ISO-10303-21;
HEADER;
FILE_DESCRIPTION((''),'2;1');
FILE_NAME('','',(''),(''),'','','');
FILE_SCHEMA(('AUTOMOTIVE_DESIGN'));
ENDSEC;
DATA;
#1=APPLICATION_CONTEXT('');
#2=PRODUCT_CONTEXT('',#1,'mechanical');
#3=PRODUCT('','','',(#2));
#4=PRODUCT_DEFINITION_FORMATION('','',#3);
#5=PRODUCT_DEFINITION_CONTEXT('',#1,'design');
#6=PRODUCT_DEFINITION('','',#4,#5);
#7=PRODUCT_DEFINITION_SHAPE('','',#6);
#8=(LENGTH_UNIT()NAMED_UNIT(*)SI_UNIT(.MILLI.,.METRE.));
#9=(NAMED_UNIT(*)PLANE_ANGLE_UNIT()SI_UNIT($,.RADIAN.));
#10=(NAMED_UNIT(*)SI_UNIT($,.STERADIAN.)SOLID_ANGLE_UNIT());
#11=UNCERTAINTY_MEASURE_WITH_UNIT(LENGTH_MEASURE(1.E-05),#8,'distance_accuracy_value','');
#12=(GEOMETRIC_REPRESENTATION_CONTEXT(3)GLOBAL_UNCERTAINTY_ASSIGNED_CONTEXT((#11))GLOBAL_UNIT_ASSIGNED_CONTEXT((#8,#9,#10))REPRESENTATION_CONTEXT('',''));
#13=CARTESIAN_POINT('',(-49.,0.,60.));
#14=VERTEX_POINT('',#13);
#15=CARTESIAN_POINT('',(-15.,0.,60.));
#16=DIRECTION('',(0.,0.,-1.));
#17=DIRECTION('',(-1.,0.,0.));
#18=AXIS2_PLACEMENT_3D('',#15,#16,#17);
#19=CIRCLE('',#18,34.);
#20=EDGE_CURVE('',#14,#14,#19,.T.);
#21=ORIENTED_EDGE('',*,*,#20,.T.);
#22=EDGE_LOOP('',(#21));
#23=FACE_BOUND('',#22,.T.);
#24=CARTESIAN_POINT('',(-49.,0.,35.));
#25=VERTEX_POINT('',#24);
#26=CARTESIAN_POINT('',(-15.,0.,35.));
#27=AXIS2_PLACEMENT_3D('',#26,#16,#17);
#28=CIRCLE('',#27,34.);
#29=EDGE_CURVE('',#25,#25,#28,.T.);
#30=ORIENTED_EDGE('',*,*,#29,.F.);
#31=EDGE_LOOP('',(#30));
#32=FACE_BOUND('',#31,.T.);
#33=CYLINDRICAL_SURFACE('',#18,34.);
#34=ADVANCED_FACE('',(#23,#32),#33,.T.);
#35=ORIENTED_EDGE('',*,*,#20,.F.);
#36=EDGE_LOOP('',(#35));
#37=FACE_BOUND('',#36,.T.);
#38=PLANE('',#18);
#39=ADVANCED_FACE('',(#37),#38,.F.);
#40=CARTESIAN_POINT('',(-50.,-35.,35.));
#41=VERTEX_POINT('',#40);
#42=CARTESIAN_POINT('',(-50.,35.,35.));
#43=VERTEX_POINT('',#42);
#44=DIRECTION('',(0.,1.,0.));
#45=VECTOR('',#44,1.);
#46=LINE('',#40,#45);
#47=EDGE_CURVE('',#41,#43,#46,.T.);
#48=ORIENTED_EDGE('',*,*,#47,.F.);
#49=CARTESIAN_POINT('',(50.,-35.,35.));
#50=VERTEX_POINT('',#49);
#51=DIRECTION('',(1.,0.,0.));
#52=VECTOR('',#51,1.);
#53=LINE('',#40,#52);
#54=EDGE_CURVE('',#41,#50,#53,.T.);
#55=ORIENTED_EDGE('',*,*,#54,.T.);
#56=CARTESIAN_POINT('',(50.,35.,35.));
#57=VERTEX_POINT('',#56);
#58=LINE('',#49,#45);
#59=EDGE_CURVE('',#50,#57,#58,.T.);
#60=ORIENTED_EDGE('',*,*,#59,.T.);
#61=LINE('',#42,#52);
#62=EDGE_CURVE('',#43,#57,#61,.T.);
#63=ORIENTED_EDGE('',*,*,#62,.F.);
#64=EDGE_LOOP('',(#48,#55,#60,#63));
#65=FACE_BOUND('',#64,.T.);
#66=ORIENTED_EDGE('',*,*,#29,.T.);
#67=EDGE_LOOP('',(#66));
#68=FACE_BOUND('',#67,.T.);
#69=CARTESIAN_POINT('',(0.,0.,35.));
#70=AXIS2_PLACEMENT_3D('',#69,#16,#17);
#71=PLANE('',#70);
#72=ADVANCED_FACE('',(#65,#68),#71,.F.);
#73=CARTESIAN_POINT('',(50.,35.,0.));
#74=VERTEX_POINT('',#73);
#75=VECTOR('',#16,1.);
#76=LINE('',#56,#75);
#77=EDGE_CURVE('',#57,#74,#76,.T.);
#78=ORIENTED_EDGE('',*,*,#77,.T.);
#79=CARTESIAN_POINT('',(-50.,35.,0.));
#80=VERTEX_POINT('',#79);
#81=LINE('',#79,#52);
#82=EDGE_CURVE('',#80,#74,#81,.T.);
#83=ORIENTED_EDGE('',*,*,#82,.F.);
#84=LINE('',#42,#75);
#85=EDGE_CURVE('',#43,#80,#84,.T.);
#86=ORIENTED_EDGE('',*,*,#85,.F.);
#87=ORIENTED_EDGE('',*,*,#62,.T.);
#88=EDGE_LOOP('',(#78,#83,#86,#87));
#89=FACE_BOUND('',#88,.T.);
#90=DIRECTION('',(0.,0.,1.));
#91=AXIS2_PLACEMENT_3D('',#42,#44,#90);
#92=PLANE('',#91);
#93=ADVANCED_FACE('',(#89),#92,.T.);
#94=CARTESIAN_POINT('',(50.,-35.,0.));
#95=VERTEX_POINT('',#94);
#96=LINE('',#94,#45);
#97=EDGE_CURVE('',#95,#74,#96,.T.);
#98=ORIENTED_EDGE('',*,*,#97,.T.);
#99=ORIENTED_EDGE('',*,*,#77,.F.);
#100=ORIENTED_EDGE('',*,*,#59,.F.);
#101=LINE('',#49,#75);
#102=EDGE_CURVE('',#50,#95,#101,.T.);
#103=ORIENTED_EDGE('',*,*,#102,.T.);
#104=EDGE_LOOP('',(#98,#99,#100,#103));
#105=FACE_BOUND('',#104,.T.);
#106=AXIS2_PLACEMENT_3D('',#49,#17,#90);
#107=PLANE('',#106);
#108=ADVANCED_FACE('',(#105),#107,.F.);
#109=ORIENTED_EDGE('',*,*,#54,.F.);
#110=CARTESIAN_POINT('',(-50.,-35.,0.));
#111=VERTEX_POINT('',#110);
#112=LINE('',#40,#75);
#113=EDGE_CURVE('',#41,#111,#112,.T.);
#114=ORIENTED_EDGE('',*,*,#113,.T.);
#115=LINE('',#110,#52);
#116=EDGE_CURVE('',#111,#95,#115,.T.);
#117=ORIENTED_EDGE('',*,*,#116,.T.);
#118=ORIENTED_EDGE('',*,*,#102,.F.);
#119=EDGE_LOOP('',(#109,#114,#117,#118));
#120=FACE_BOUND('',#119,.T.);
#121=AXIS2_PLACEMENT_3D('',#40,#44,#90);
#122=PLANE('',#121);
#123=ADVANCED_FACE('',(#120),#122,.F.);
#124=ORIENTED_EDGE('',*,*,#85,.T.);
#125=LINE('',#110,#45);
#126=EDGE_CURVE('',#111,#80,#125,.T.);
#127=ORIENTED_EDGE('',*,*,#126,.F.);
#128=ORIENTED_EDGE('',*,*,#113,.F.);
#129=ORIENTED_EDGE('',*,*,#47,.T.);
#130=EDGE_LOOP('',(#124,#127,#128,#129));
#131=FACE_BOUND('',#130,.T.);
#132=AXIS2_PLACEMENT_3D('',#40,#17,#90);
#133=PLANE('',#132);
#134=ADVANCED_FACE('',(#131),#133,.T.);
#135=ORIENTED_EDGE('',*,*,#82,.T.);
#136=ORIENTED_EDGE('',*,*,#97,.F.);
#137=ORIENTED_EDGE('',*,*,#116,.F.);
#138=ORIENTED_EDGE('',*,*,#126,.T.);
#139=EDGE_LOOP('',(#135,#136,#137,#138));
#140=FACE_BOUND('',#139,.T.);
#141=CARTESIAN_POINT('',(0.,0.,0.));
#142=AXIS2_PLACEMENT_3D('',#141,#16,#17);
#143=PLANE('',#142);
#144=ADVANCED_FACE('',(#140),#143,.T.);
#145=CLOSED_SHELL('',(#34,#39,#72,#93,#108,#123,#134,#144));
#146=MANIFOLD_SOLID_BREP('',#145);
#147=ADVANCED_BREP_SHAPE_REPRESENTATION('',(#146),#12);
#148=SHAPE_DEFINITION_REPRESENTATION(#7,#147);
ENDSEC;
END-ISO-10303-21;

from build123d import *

# Parameters (mm, degrees)
SKETCH_1_W      = 100
SKETCH_1_H      = 70
EXTRUDE_1_DEPTH = 35
SKETCH_3_R      = 34
EXTRUDE_2_DEPTH = 60


with BuildPart() as part:
    # Эскиз1 → Бобышка-Вытянуть1 (new body)
    with BuildSketch(Plane.XY):
        Rectangle(SKETCH_1_W, SKETCH_1_H)
    extrude(amount=EXTRUDE_1_DEPTH)

    # Эскиз3 → Бобышка-Вытянуть2 (add)
    with BuildSketch(Plane(origin=(0, 0, 0), x_dir=(-1, 0, 0), z_dir=(0, 0, -1))):
        with Locations((15, 0)):
            Circle(SKETCH_3_R)
    extrude(amount=-EXTRUDE_2_DEPTH)


solid = part.part
